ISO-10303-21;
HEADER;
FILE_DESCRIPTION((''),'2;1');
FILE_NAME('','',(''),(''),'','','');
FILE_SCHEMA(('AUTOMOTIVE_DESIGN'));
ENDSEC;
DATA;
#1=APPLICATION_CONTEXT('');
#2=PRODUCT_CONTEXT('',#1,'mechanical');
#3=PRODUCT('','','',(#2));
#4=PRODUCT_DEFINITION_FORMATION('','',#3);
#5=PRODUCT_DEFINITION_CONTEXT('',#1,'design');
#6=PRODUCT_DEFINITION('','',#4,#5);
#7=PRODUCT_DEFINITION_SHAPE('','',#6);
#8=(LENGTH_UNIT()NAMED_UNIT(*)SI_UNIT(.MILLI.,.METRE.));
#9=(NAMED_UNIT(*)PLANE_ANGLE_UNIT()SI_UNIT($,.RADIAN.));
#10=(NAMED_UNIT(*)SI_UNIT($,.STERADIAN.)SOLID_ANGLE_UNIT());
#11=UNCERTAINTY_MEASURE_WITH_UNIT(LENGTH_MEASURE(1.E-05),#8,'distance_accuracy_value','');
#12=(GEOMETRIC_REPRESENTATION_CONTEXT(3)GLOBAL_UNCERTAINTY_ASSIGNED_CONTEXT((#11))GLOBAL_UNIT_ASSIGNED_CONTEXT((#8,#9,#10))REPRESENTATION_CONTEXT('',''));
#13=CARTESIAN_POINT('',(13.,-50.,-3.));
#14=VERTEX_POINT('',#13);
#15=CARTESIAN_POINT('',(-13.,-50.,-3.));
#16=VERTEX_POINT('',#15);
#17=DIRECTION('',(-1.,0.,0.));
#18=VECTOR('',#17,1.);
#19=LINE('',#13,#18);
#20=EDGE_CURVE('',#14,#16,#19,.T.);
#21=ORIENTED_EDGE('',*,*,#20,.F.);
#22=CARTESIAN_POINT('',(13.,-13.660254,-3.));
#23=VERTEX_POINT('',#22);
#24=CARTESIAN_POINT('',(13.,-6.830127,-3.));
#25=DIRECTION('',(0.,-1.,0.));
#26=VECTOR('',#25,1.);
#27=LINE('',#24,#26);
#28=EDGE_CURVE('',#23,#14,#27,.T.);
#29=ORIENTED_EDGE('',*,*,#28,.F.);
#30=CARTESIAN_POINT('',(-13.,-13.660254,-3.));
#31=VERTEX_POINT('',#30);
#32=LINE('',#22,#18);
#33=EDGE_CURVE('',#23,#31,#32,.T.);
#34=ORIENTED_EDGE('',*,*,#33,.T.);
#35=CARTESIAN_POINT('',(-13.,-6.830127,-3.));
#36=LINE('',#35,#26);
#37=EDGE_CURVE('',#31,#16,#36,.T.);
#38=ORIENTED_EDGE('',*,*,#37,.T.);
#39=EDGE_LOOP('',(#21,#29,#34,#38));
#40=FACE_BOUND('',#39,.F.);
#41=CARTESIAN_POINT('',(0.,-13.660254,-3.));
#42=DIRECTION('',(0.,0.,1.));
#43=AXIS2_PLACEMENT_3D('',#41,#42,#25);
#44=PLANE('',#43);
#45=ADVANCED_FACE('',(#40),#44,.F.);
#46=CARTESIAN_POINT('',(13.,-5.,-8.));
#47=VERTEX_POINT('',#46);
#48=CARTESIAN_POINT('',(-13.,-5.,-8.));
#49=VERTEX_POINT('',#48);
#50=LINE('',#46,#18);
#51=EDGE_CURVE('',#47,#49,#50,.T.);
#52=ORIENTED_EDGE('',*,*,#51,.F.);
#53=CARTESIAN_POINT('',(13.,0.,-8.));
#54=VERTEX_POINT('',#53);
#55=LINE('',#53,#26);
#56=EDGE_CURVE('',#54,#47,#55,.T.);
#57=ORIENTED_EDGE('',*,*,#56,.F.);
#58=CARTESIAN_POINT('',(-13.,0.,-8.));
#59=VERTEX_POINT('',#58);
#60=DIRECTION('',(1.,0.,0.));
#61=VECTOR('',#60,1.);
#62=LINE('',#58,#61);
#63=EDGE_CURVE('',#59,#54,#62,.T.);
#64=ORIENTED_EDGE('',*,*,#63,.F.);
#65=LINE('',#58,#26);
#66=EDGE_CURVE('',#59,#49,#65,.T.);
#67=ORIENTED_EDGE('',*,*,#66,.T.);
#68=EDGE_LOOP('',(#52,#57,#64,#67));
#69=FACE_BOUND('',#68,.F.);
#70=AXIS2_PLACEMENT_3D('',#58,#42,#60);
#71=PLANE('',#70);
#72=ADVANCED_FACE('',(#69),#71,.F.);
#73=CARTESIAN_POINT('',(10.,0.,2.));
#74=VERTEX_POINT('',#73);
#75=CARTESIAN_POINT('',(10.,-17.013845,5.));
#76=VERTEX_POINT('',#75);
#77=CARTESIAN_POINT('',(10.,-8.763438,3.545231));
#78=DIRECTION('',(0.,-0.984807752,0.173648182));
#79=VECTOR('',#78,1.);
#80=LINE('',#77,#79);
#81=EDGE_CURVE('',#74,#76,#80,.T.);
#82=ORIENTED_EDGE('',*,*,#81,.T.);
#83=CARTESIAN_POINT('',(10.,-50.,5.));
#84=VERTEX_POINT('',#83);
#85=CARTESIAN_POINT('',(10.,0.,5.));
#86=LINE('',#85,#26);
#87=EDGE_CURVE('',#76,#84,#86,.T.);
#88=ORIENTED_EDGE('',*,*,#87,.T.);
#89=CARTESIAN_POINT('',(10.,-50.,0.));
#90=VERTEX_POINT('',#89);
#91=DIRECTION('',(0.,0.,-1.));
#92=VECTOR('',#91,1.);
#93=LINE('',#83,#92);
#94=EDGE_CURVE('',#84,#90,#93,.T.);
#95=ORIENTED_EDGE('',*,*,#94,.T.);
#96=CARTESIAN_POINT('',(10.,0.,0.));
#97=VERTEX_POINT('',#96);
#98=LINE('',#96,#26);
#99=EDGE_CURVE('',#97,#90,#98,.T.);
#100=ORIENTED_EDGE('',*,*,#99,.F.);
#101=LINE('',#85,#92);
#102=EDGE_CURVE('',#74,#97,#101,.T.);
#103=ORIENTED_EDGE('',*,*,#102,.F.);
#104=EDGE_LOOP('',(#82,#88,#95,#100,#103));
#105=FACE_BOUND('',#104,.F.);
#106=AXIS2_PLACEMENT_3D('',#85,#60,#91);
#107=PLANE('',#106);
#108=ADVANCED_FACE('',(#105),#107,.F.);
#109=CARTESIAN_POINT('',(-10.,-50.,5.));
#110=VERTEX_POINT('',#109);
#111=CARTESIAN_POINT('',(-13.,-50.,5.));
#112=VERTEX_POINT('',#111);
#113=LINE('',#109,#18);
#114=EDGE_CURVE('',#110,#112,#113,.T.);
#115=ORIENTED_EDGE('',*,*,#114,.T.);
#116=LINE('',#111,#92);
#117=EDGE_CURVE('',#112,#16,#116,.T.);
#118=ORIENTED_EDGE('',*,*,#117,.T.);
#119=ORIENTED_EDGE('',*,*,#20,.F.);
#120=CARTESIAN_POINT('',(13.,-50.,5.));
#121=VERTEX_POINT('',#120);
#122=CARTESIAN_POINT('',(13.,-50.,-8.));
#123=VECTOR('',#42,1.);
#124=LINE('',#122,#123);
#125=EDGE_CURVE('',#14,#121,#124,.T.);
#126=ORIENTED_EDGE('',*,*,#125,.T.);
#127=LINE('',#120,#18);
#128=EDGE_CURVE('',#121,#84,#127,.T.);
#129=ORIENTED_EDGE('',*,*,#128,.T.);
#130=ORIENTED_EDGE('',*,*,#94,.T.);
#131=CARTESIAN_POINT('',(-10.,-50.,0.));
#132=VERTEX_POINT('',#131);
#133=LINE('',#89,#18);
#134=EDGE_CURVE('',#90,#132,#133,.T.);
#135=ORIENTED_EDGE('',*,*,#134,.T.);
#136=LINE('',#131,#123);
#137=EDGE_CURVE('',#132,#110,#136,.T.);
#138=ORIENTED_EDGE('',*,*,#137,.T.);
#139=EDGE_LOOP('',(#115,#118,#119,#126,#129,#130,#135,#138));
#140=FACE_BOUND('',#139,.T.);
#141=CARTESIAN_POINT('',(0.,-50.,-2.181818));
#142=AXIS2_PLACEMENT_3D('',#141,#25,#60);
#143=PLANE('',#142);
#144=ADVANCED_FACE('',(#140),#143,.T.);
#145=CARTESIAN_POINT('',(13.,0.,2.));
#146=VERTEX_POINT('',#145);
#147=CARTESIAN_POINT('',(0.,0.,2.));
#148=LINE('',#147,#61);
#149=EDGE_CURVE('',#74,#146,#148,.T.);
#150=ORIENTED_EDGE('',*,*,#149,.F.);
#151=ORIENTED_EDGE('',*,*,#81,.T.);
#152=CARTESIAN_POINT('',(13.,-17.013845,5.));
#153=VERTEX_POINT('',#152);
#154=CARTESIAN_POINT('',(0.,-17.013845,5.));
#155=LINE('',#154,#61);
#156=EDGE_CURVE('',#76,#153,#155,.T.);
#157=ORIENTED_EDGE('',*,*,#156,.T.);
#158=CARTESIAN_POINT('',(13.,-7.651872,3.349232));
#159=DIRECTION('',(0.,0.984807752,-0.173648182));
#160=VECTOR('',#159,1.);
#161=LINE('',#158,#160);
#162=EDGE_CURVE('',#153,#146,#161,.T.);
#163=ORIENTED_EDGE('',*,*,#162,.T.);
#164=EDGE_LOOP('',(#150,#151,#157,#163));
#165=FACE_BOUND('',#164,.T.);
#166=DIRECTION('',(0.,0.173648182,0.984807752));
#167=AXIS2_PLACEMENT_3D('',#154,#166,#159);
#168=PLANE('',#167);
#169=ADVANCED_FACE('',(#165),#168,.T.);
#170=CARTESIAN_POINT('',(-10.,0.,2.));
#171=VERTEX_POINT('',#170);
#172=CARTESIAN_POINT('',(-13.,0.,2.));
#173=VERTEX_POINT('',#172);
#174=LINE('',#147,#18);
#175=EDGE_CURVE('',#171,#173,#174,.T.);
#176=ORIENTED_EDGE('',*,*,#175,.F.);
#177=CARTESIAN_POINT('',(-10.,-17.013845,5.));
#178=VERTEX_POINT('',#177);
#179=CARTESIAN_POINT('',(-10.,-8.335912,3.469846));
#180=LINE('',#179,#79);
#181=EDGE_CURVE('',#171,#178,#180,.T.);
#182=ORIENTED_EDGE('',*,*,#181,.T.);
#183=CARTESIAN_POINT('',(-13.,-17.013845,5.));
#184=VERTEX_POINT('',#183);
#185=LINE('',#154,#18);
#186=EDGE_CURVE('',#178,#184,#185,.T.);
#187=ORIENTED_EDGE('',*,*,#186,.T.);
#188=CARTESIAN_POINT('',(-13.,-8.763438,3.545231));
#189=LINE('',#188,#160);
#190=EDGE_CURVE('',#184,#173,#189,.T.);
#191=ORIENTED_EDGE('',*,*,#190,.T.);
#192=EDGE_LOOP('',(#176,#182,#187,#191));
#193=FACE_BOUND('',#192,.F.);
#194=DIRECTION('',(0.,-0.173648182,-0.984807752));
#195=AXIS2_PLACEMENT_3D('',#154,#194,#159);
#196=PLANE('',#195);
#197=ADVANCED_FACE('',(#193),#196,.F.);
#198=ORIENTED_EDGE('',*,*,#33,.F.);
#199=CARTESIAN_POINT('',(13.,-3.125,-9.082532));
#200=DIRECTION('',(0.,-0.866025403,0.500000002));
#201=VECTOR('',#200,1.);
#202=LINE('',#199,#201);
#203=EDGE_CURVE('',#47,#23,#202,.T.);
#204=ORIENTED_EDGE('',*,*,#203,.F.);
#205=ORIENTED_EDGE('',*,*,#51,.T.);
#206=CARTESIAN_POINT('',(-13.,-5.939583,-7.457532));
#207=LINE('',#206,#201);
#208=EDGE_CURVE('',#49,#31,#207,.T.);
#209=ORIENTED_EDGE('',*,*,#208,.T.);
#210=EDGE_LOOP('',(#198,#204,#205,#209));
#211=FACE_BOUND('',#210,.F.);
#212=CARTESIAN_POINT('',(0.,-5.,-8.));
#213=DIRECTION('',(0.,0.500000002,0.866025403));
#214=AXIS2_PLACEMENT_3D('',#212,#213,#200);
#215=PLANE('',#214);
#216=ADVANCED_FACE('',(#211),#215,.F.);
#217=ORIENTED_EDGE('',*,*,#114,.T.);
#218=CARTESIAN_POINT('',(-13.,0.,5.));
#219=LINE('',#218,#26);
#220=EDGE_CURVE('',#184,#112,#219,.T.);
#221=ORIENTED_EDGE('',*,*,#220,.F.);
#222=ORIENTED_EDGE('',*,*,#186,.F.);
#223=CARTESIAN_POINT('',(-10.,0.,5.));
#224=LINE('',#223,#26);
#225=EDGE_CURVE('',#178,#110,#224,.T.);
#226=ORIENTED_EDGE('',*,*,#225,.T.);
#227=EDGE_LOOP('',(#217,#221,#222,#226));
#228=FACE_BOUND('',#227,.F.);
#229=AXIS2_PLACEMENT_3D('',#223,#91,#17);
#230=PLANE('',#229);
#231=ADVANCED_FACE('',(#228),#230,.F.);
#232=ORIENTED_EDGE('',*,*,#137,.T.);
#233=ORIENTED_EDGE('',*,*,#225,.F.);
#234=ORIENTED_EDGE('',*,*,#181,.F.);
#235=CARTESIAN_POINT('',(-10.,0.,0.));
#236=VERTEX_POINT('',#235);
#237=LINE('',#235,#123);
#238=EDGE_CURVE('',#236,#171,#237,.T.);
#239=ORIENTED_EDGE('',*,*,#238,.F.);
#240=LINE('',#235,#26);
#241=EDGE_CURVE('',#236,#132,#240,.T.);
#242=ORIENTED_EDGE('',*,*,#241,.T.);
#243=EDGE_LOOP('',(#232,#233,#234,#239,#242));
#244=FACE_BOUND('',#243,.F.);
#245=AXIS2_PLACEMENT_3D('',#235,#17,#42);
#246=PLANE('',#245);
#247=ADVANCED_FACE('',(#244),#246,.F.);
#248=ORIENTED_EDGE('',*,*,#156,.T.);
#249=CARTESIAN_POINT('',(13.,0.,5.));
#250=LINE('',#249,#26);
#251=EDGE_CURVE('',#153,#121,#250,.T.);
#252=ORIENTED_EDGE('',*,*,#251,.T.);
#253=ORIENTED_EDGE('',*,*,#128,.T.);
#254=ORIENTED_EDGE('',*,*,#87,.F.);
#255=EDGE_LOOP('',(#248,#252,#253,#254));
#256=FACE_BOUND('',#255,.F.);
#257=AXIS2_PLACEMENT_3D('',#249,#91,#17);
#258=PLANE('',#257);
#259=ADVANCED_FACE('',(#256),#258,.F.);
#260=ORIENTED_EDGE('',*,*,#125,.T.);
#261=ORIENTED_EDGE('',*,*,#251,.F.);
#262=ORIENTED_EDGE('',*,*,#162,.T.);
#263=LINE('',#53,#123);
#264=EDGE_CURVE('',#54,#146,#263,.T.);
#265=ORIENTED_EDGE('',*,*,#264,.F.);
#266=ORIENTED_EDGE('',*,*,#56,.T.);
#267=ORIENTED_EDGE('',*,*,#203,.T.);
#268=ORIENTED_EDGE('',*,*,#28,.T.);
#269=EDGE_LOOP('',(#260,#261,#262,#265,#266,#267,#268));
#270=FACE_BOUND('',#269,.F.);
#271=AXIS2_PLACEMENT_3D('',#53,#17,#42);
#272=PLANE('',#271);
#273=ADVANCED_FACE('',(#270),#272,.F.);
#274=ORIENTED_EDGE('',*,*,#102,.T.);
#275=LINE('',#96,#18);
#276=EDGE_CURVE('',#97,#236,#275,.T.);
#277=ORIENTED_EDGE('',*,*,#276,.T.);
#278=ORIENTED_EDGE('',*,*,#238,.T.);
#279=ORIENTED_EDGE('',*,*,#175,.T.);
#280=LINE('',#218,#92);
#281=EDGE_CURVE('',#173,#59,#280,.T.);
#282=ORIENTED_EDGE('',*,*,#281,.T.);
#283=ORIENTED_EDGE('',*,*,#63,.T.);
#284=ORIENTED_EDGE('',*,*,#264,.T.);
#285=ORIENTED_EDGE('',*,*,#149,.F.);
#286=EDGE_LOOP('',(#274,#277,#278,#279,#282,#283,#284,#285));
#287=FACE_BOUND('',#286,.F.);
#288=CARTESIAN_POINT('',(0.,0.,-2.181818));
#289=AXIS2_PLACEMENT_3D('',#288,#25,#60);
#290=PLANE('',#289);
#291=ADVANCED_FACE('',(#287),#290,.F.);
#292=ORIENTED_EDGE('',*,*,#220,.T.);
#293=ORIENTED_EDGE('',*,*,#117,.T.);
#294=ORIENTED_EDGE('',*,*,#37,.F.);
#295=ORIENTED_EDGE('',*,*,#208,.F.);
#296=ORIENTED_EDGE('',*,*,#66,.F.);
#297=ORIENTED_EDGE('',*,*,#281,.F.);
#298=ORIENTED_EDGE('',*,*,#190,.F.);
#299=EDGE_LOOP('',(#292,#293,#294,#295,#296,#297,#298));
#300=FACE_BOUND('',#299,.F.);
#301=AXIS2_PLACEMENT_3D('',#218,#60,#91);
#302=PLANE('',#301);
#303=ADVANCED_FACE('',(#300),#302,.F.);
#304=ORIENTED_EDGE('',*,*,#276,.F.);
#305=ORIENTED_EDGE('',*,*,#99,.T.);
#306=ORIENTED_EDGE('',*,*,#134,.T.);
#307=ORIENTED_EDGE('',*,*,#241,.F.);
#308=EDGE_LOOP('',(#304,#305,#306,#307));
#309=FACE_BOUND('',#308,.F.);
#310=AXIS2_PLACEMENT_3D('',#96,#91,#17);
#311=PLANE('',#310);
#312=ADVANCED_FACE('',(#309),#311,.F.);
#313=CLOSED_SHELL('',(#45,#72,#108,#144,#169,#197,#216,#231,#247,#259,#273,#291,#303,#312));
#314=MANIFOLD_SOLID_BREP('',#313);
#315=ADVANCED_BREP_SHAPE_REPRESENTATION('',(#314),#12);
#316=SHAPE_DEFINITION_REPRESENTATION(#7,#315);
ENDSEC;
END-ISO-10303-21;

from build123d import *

# Parameters (mm, degrees)
PAD_DEPTH         = 50
POCKET_DEPTH      = 13.001
POCKET_DEPTH_BACK = -13.001


with BuildPart() as part:
    # Sketch → Pad (new body)
    with BuildSketch(Plane.XZ):
        Polygon((-13, 5), (-13, -8), (13, -8), (13, 5), (10, 5), (10, 0), (-10, 0), (-10, 5), align=None)
    extrude(amount=PAD_DEPTH)

    # Sketch001 → Pocket (cut, two sides)
    with BuildSketch(Plane.YZ) as pocket_sk:
        Polygon((-17.013845, 5), (0, 2), (0, 5), align=None)
        Polygon((-50, -3), (-50, -8), (-5, -8), (-13.660254, -3), align=None)
    extrude(amount=-POCKET_DEPTH, mode=Mode.SUBTRACT)
    extrude(pocket_sk.sketch, amount=-POCKET_DEPTH_BACK, mode=Mode.SUBTRACT)


solid = part.part
